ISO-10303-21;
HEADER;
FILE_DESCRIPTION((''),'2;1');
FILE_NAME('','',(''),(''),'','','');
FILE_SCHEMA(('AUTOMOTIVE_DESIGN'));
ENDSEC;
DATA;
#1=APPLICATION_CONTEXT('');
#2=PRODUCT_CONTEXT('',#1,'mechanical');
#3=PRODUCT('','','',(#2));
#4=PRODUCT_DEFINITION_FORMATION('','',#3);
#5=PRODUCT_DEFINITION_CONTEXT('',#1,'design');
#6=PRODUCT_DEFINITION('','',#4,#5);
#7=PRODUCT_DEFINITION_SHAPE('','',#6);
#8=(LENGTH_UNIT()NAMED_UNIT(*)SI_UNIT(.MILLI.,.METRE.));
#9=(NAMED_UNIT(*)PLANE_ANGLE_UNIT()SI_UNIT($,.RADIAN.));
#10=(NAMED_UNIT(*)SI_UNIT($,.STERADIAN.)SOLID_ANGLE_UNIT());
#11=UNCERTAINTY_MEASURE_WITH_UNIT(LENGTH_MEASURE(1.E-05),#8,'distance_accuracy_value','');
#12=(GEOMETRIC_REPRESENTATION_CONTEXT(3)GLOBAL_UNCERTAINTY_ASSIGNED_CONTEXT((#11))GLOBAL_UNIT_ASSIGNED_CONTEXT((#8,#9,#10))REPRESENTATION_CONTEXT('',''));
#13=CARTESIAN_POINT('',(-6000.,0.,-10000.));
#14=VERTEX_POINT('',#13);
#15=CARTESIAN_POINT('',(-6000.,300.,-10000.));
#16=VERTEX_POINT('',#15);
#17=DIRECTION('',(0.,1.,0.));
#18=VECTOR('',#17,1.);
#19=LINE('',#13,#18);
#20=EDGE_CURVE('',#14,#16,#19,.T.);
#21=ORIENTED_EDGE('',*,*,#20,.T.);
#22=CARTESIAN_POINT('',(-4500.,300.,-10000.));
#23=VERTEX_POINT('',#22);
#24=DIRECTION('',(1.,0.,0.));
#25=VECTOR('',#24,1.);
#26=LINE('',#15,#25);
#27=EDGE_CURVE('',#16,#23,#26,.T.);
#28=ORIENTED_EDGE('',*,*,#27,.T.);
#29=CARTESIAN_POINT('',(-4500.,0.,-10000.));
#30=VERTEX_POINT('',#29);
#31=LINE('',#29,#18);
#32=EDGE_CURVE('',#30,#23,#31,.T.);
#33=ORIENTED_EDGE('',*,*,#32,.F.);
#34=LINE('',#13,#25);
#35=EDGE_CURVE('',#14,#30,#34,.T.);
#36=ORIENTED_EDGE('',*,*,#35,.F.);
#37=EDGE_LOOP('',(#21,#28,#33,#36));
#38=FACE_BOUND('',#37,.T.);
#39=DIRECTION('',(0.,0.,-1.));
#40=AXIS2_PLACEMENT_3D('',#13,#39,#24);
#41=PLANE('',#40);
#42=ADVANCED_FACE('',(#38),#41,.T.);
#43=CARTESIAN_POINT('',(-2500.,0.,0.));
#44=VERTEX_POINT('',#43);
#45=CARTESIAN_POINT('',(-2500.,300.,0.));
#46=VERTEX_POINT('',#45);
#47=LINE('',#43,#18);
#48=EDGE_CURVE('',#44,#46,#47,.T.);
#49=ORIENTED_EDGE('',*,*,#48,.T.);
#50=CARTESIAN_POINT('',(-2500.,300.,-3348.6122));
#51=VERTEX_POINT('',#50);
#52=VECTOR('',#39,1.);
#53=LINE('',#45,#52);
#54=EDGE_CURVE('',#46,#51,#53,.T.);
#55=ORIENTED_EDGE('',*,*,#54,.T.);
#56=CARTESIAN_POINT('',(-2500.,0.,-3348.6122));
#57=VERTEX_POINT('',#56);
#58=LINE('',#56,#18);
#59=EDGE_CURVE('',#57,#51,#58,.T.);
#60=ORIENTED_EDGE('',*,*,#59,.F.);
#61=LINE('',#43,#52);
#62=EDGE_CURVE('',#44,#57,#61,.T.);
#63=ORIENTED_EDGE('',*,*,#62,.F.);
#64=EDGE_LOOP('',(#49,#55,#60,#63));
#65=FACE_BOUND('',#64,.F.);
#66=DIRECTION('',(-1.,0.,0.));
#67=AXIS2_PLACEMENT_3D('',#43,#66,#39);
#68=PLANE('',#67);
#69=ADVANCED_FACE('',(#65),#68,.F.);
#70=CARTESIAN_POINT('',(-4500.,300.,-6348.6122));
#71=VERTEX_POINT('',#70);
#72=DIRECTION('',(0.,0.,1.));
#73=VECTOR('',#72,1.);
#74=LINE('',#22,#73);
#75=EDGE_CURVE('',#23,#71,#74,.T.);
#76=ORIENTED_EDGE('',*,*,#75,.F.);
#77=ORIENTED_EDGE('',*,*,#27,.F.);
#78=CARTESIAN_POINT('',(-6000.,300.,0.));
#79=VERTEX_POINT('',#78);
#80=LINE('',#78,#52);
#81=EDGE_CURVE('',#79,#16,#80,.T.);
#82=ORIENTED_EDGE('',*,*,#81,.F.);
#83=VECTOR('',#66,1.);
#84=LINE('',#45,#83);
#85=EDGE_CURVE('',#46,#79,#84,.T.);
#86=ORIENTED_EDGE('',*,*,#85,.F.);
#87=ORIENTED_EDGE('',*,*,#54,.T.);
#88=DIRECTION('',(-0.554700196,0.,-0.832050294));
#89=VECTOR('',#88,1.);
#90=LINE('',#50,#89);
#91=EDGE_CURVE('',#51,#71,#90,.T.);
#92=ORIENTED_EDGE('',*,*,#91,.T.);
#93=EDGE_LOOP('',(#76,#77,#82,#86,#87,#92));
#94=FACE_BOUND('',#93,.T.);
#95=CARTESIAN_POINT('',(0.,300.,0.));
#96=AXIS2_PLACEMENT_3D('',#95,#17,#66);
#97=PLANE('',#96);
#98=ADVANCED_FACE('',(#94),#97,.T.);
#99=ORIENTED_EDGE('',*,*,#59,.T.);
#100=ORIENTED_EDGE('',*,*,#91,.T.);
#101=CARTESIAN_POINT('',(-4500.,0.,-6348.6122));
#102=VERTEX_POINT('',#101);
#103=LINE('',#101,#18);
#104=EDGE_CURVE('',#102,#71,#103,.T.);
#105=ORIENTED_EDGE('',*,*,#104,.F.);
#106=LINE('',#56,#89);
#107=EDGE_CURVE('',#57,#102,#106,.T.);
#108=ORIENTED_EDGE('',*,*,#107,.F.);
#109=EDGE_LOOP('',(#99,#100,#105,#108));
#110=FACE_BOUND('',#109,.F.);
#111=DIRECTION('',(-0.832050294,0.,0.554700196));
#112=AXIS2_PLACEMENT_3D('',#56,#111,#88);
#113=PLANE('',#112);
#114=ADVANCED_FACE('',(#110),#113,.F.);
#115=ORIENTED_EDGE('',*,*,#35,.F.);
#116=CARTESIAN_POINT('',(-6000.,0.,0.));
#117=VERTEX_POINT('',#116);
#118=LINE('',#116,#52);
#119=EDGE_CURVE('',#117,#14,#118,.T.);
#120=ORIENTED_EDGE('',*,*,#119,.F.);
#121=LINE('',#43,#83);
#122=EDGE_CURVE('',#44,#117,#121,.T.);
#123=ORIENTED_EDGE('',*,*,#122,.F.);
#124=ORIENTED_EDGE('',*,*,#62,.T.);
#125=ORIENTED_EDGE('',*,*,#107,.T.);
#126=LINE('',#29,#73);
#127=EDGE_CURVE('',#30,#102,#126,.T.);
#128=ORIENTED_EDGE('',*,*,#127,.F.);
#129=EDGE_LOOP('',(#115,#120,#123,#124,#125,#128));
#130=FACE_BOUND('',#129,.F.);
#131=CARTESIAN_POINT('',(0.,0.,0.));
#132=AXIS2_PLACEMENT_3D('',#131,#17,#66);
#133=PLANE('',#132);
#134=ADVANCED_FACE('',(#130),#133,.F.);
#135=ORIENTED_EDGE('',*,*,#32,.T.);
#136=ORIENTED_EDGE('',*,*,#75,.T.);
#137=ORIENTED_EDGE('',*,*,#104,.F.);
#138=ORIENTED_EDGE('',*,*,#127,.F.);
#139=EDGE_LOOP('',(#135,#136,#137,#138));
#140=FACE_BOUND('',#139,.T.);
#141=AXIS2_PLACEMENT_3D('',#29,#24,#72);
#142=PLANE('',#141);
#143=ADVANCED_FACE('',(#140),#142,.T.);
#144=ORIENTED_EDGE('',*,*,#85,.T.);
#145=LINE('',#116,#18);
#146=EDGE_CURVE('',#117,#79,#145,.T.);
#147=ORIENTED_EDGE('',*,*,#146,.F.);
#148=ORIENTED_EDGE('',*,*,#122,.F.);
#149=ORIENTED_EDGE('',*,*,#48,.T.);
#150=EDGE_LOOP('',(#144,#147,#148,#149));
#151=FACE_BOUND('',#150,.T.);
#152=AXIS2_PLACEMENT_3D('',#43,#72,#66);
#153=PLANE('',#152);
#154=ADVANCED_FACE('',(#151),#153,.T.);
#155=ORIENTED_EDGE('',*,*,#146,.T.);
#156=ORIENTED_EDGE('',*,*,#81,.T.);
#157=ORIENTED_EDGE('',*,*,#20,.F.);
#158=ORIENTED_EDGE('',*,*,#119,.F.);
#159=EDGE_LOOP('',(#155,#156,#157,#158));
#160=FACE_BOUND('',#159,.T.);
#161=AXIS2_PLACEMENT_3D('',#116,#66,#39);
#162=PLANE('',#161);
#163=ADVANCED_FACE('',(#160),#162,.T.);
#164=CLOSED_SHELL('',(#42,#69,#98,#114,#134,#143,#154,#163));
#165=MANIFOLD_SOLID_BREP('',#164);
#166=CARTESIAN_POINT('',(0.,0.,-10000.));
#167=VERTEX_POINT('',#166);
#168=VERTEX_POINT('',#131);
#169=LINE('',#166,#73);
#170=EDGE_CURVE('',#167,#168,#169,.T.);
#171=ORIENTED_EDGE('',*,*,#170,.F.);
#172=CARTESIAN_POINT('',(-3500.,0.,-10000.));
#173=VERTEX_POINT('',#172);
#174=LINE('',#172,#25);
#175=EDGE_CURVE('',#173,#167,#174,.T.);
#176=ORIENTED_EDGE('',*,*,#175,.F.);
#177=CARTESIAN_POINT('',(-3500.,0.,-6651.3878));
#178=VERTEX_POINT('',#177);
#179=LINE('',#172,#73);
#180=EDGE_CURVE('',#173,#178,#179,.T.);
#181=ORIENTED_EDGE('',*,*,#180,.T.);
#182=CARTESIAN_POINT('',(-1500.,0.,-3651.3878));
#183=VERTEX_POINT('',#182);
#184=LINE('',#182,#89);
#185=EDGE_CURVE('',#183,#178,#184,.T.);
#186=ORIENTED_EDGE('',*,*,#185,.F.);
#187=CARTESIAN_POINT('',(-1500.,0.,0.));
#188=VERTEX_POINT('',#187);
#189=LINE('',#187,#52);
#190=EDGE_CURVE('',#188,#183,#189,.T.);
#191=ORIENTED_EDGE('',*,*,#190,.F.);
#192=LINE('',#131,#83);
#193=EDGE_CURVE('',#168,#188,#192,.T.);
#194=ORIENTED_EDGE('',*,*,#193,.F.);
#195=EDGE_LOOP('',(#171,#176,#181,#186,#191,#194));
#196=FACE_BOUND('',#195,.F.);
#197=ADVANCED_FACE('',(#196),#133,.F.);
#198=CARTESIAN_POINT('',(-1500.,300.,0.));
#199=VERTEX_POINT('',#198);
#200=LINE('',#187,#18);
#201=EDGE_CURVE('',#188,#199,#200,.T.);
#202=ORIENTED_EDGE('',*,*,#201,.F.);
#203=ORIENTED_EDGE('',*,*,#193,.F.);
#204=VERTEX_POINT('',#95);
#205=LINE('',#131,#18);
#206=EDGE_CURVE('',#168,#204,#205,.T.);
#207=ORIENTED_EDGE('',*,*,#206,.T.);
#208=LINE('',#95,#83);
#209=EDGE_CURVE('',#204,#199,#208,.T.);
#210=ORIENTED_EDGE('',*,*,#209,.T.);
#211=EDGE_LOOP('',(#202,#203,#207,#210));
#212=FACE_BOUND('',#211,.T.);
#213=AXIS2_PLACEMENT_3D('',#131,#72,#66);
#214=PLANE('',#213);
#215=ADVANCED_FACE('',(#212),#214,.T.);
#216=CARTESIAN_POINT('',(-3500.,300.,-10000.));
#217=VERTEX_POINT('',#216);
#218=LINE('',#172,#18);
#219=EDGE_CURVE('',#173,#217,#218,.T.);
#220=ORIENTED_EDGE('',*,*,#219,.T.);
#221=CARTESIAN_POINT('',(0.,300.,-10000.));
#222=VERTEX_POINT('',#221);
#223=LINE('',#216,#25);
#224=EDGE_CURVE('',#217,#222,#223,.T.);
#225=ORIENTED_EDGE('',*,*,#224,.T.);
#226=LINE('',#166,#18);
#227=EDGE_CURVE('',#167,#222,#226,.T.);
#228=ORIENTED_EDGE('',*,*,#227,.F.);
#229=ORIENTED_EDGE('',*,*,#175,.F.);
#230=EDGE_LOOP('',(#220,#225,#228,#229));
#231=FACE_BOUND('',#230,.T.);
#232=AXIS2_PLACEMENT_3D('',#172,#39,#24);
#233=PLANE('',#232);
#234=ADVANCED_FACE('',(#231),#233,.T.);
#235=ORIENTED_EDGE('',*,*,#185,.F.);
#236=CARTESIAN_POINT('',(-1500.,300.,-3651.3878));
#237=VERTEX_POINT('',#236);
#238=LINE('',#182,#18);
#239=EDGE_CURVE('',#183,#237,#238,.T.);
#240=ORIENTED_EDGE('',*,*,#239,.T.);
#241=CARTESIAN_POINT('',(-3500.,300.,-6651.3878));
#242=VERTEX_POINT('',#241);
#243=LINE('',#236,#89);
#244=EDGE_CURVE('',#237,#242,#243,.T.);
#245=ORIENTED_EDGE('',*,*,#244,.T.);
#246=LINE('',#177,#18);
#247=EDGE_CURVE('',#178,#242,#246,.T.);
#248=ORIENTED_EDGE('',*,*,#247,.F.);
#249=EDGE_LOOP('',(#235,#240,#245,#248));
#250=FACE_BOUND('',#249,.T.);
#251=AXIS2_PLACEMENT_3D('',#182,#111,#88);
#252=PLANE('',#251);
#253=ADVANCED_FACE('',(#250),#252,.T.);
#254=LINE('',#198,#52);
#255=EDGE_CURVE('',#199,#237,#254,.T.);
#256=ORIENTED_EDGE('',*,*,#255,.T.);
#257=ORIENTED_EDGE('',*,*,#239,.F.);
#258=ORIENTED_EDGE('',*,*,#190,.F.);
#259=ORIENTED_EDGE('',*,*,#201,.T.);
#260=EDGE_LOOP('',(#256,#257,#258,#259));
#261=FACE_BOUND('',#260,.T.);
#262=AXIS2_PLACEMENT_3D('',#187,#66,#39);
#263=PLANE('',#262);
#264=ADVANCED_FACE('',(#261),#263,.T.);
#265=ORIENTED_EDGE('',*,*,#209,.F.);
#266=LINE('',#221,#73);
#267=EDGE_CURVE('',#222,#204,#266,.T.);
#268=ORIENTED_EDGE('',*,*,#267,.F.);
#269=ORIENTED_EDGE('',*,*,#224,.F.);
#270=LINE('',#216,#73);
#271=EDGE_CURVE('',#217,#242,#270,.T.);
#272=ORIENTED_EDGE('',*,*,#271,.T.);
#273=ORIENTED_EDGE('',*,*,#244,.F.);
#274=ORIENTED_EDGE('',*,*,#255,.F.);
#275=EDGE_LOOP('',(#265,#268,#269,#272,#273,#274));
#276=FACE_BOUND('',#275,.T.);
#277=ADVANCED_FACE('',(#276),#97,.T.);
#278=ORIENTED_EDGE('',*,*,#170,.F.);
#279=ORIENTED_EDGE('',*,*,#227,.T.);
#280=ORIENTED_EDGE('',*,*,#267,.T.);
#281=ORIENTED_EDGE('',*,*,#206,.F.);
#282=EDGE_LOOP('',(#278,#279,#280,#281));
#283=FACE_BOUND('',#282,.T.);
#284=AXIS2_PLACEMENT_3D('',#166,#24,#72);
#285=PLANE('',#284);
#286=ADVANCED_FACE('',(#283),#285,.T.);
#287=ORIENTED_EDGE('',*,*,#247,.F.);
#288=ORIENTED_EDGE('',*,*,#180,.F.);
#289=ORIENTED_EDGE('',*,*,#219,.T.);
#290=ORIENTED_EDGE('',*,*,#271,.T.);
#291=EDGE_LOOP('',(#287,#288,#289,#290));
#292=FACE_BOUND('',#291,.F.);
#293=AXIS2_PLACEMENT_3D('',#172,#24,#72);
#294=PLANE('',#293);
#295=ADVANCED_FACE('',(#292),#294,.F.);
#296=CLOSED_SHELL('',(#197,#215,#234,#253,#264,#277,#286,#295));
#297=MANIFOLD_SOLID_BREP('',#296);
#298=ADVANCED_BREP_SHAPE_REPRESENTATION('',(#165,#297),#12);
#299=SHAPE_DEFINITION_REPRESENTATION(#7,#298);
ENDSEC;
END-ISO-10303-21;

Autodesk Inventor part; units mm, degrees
ref_plane "YZ Plane" through (0, 0, 0) normal (1, 0, 0) x (0, 1, 0)
ref_plane "XZ Plane" through (0, 0, 0) normal (0, 1, 0) x (-1, 0, 0)
ref_plane "XY Plane" through (0, 0, 0) normal (0, 0, 1) x (1, 0, 0)
sketch "Sketch1" plane through (0, 0, 0) normal (0, 1, 0) x (-1, 0, 0)
  line L0 (6000, 0) -> (6000, -10000)
  line L1 (0, -10000) -> (0, 0)
  line L2 (2000, 0) -> (2000, -10000) construction
  line L3 (4000, -10000) -> (4000, 0) construction
  line L4 (1500, 0) -> (1500, -3651.3878)
  line L5 (4500, -10000) -> (4500, -6348.6122)
  line L6 (2000, -3500) -> (4000, -6500) construction
  line L7 (2500, -3348.6122) -> (4500, -6348.6122)
  line L8 (1500, -3651.3878) -> (3500, -6651.3878)
  line L9 (2500, 0) -> (2500, -3348.6122)
  line L10 (3500, -10000) -> (3500, -6651.3878)
  line L11 (0, 0) -> (1500, 0)
  line L12 (2500, 0) -> (6000, 0)
  line L13 (6000, -10000) -> (4500, -10000)
  line L14 (3500, -10000) -> (0, -10000)
  dimension "d0" = 6000
  dimension "d1" = 10000
  dimension "d2" = 2000
  dimension "d3" = 2000
  dimension "d4" = 1000
  dimension "d10" = 500
  dimension "d11" = 500
extrude "Extrusion1" add sketch "Sketch1" along normal blind 300
properties part number "wall_2"
